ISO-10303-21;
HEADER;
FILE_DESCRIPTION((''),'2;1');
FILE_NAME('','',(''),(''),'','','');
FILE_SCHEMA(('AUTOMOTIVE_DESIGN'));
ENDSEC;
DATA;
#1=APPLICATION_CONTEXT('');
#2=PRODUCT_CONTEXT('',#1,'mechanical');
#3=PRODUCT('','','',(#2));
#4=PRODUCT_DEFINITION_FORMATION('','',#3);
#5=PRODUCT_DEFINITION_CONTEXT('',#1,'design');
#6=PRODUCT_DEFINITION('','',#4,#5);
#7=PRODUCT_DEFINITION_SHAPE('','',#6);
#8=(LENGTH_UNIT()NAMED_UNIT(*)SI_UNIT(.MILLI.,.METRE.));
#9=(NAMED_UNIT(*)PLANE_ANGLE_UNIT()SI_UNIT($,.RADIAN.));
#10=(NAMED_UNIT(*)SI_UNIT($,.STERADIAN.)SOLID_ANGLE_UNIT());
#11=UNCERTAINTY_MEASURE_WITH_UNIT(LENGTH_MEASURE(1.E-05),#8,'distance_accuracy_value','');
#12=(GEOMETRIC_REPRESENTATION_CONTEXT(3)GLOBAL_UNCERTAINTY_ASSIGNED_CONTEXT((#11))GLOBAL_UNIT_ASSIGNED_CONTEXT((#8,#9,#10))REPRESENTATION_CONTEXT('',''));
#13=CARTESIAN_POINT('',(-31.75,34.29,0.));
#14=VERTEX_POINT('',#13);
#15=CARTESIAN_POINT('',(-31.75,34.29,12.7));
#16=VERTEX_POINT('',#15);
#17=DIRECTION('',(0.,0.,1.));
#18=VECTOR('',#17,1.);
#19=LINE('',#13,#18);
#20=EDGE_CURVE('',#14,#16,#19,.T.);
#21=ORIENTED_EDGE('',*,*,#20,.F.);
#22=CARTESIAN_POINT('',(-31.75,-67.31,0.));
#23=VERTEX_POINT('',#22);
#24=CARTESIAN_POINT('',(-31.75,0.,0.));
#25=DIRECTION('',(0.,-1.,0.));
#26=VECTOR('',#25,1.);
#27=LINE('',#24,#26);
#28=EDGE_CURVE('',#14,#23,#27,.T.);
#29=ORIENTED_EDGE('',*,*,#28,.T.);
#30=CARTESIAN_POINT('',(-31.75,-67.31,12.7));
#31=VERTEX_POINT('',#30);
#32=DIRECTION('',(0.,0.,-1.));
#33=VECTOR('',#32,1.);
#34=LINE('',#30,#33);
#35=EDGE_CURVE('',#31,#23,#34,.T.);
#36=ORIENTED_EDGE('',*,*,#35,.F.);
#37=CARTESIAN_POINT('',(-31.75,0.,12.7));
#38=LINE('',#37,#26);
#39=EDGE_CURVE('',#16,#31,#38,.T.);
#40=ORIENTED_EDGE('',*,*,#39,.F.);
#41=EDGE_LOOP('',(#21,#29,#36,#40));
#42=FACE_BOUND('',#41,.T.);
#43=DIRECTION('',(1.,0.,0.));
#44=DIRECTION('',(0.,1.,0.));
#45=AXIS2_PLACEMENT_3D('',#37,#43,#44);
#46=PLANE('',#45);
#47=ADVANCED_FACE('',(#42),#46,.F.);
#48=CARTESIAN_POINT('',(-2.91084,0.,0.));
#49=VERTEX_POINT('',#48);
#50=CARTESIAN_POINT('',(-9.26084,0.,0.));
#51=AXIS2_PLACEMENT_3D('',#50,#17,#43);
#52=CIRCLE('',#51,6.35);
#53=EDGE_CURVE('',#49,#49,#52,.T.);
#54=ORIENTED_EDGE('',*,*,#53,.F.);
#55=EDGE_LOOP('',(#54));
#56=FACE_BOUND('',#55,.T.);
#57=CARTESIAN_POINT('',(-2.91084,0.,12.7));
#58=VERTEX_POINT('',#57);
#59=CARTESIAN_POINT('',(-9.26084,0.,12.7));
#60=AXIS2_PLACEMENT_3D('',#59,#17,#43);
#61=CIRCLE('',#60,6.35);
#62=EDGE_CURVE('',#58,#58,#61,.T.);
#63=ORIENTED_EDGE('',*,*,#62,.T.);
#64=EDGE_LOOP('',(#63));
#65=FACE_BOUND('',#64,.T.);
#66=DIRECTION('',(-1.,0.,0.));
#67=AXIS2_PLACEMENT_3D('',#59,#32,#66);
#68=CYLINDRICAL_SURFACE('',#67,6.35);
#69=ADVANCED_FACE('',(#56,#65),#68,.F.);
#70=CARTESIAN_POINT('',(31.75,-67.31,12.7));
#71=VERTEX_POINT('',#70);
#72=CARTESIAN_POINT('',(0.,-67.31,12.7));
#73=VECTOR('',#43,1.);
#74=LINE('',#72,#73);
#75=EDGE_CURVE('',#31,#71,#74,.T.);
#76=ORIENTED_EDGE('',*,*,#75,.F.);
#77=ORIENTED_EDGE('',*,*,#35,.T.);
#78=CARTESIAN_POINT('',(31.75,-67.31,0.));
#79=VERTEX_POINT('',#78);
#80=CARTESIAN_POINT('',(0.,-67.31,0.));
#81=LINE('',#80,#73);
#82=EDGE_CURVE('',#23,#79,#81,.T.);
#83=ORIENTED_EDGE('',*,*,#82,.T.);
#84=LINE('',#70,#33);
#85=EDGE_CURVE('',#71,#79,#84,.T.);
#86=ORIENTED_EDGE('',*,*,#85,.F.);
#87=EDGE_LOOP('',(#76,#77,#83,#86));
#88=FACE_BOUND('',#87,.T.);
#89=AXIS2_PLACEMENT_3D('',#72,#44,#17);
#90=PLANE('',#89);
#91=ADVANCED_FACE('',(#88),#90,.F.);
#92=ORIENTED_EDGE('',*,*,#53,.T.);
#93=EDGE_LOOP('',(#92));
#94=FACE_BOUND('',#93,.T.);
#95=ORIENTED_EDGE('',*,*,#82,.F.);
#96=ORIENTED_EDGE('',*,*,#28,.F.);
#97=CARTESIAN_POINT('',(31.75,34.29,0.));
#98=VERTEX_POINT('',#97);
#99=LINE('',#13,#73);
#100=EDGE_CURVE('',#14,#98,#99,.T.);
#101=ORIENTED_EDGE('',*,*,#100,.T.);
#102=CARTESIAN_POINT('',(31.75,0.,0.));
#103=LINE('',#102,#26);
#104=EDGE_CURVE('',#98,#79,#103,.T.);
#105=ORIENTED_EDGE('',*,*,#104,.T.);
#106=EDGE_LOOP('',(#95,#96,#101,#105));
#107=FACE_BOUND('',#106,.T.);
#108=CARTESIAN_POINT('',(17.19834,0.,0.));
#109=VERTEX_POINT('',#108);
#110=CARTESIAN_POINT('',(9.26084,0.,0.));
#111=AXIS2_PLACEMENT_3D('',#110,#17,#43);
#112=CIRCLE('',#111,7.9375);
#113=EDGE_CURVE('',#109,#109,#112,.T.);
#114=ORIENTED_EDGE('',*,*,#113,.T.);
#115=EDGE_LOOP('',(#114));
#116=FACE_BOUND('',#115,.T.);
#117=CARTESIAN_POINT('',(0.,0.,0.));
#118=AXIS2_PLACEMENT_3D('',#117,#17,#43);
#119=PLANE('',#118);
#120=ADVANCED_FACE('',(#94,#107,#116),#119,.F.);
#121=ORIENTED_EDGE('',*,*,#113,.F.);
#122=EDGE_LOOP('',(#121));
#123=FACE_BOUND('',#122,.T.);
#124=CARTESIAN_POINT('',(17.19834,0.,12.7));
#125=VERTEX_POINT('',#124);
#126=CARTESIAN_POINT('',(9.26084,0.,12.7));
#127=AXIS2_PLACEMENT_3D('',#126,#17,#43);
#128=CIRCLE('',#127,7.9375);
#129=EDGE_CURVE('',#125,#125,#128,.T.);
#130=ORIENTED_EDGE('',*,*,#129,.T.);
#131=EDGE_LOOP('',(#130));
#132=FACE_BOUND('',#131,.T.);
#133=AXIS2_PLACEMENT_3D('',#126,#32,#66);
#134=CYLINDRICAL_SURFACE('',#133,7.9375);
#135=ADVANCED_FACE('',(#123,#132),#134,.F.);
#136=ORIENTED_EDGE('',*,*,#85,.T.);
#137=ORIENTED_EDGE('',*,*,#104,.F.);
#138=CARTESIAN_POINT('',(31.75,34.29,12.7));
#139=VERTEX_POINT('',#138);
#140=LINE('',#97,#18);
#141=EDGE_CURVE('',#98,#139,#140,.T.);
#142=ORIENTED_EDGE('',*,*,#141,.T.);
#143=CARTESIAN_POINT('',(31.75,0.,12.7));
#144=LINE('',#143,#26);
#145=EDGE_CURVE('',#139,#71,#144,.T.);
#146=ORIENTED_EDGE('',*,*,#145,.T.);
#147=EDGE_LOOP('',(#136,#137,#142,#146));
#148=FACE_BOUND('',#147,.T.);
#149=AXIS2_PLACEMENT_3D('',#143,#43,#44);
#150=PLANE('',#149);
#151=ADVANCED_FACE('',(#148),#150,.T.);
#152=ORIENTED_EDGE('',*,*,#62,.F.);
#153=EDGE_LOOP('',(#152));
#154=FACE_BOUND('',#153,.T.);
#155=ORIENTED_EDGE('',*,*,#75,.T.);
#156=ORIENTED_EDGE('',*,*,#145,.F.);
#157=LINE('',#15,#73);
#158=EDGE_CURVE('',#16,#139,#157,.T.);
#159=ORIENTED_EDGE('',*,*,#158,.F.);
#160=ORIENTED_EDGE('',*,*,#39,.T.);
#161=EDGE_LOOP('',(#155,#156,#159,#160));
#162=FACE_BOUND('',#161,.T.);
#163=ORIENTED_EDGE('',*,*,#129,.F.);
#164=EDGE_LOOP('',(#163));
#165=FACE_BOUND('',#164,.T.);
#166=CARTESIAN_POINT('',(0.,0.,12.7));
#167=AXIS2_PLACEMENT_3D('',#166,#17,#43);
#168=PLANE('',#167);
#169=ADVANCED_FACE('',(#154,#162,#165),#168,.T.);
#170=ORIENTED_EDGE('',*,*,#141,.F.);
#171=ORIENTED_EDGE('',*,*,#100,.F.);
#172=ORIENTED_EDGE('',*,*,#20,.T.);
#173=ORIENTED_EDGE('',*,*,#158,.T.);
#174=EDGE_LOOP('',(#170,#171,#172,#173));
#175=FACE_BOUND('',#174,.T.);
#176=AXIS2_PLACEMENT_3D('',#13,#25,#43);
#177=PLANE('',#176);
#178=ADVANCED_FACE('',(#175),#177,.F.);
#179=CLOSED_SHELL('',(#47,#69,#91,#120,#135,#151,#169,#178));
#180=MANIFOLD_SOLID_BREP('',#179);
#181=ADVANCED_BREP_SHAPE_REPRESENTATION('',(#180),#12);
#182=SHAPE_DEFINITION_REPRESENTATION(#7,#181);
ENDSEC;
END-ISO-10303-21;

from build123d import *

# Parameters (mm, degrees)
SKETCH1_W           = 63.5
SKETCH1_H           = 134.62
SKETCH1_R           = 6.35
SKETCH1_R_2         = 7.9375
BOSS_EXTRUDE1_DEPTH = 12.7
SKETCH2_W           = 63.5
SKETCH2_H           = 33.02
CUT_EXTRUDE1_DEPTH  = 76.498268854


with BuildPart() as part:
    # Sketch1 → Boss-Extrude1 (new body)
    with BuildSketch(Plane.XY):
        Rectangle(SKETCH1_W, SKETCH1_H)
        with Locations((-9.26084, 0)):
            Circle(SKETCH1_R, mode=Mode.SUBTRACT)
        with Locations((9.26084, 0)):
            Circle(SKETCH1_R_2, mode=Mode.SUBTRACT)
    extrude(amount=BOSS_EXTRUDE1_DEPTH)

    # Sketch2 → Cut-Extrude1 (cut, through all)
    with BuildSketch(Plane.XY.offset(12.7)):
        with Locations((0, 50.8)):
            Rectangle(SKETCH2_W, SKETCH2_H)
    extrude(amount=-CUT_EXTRUDE1_DEPTH, mode=Mode.SUBTRACT)


solid = part.part
